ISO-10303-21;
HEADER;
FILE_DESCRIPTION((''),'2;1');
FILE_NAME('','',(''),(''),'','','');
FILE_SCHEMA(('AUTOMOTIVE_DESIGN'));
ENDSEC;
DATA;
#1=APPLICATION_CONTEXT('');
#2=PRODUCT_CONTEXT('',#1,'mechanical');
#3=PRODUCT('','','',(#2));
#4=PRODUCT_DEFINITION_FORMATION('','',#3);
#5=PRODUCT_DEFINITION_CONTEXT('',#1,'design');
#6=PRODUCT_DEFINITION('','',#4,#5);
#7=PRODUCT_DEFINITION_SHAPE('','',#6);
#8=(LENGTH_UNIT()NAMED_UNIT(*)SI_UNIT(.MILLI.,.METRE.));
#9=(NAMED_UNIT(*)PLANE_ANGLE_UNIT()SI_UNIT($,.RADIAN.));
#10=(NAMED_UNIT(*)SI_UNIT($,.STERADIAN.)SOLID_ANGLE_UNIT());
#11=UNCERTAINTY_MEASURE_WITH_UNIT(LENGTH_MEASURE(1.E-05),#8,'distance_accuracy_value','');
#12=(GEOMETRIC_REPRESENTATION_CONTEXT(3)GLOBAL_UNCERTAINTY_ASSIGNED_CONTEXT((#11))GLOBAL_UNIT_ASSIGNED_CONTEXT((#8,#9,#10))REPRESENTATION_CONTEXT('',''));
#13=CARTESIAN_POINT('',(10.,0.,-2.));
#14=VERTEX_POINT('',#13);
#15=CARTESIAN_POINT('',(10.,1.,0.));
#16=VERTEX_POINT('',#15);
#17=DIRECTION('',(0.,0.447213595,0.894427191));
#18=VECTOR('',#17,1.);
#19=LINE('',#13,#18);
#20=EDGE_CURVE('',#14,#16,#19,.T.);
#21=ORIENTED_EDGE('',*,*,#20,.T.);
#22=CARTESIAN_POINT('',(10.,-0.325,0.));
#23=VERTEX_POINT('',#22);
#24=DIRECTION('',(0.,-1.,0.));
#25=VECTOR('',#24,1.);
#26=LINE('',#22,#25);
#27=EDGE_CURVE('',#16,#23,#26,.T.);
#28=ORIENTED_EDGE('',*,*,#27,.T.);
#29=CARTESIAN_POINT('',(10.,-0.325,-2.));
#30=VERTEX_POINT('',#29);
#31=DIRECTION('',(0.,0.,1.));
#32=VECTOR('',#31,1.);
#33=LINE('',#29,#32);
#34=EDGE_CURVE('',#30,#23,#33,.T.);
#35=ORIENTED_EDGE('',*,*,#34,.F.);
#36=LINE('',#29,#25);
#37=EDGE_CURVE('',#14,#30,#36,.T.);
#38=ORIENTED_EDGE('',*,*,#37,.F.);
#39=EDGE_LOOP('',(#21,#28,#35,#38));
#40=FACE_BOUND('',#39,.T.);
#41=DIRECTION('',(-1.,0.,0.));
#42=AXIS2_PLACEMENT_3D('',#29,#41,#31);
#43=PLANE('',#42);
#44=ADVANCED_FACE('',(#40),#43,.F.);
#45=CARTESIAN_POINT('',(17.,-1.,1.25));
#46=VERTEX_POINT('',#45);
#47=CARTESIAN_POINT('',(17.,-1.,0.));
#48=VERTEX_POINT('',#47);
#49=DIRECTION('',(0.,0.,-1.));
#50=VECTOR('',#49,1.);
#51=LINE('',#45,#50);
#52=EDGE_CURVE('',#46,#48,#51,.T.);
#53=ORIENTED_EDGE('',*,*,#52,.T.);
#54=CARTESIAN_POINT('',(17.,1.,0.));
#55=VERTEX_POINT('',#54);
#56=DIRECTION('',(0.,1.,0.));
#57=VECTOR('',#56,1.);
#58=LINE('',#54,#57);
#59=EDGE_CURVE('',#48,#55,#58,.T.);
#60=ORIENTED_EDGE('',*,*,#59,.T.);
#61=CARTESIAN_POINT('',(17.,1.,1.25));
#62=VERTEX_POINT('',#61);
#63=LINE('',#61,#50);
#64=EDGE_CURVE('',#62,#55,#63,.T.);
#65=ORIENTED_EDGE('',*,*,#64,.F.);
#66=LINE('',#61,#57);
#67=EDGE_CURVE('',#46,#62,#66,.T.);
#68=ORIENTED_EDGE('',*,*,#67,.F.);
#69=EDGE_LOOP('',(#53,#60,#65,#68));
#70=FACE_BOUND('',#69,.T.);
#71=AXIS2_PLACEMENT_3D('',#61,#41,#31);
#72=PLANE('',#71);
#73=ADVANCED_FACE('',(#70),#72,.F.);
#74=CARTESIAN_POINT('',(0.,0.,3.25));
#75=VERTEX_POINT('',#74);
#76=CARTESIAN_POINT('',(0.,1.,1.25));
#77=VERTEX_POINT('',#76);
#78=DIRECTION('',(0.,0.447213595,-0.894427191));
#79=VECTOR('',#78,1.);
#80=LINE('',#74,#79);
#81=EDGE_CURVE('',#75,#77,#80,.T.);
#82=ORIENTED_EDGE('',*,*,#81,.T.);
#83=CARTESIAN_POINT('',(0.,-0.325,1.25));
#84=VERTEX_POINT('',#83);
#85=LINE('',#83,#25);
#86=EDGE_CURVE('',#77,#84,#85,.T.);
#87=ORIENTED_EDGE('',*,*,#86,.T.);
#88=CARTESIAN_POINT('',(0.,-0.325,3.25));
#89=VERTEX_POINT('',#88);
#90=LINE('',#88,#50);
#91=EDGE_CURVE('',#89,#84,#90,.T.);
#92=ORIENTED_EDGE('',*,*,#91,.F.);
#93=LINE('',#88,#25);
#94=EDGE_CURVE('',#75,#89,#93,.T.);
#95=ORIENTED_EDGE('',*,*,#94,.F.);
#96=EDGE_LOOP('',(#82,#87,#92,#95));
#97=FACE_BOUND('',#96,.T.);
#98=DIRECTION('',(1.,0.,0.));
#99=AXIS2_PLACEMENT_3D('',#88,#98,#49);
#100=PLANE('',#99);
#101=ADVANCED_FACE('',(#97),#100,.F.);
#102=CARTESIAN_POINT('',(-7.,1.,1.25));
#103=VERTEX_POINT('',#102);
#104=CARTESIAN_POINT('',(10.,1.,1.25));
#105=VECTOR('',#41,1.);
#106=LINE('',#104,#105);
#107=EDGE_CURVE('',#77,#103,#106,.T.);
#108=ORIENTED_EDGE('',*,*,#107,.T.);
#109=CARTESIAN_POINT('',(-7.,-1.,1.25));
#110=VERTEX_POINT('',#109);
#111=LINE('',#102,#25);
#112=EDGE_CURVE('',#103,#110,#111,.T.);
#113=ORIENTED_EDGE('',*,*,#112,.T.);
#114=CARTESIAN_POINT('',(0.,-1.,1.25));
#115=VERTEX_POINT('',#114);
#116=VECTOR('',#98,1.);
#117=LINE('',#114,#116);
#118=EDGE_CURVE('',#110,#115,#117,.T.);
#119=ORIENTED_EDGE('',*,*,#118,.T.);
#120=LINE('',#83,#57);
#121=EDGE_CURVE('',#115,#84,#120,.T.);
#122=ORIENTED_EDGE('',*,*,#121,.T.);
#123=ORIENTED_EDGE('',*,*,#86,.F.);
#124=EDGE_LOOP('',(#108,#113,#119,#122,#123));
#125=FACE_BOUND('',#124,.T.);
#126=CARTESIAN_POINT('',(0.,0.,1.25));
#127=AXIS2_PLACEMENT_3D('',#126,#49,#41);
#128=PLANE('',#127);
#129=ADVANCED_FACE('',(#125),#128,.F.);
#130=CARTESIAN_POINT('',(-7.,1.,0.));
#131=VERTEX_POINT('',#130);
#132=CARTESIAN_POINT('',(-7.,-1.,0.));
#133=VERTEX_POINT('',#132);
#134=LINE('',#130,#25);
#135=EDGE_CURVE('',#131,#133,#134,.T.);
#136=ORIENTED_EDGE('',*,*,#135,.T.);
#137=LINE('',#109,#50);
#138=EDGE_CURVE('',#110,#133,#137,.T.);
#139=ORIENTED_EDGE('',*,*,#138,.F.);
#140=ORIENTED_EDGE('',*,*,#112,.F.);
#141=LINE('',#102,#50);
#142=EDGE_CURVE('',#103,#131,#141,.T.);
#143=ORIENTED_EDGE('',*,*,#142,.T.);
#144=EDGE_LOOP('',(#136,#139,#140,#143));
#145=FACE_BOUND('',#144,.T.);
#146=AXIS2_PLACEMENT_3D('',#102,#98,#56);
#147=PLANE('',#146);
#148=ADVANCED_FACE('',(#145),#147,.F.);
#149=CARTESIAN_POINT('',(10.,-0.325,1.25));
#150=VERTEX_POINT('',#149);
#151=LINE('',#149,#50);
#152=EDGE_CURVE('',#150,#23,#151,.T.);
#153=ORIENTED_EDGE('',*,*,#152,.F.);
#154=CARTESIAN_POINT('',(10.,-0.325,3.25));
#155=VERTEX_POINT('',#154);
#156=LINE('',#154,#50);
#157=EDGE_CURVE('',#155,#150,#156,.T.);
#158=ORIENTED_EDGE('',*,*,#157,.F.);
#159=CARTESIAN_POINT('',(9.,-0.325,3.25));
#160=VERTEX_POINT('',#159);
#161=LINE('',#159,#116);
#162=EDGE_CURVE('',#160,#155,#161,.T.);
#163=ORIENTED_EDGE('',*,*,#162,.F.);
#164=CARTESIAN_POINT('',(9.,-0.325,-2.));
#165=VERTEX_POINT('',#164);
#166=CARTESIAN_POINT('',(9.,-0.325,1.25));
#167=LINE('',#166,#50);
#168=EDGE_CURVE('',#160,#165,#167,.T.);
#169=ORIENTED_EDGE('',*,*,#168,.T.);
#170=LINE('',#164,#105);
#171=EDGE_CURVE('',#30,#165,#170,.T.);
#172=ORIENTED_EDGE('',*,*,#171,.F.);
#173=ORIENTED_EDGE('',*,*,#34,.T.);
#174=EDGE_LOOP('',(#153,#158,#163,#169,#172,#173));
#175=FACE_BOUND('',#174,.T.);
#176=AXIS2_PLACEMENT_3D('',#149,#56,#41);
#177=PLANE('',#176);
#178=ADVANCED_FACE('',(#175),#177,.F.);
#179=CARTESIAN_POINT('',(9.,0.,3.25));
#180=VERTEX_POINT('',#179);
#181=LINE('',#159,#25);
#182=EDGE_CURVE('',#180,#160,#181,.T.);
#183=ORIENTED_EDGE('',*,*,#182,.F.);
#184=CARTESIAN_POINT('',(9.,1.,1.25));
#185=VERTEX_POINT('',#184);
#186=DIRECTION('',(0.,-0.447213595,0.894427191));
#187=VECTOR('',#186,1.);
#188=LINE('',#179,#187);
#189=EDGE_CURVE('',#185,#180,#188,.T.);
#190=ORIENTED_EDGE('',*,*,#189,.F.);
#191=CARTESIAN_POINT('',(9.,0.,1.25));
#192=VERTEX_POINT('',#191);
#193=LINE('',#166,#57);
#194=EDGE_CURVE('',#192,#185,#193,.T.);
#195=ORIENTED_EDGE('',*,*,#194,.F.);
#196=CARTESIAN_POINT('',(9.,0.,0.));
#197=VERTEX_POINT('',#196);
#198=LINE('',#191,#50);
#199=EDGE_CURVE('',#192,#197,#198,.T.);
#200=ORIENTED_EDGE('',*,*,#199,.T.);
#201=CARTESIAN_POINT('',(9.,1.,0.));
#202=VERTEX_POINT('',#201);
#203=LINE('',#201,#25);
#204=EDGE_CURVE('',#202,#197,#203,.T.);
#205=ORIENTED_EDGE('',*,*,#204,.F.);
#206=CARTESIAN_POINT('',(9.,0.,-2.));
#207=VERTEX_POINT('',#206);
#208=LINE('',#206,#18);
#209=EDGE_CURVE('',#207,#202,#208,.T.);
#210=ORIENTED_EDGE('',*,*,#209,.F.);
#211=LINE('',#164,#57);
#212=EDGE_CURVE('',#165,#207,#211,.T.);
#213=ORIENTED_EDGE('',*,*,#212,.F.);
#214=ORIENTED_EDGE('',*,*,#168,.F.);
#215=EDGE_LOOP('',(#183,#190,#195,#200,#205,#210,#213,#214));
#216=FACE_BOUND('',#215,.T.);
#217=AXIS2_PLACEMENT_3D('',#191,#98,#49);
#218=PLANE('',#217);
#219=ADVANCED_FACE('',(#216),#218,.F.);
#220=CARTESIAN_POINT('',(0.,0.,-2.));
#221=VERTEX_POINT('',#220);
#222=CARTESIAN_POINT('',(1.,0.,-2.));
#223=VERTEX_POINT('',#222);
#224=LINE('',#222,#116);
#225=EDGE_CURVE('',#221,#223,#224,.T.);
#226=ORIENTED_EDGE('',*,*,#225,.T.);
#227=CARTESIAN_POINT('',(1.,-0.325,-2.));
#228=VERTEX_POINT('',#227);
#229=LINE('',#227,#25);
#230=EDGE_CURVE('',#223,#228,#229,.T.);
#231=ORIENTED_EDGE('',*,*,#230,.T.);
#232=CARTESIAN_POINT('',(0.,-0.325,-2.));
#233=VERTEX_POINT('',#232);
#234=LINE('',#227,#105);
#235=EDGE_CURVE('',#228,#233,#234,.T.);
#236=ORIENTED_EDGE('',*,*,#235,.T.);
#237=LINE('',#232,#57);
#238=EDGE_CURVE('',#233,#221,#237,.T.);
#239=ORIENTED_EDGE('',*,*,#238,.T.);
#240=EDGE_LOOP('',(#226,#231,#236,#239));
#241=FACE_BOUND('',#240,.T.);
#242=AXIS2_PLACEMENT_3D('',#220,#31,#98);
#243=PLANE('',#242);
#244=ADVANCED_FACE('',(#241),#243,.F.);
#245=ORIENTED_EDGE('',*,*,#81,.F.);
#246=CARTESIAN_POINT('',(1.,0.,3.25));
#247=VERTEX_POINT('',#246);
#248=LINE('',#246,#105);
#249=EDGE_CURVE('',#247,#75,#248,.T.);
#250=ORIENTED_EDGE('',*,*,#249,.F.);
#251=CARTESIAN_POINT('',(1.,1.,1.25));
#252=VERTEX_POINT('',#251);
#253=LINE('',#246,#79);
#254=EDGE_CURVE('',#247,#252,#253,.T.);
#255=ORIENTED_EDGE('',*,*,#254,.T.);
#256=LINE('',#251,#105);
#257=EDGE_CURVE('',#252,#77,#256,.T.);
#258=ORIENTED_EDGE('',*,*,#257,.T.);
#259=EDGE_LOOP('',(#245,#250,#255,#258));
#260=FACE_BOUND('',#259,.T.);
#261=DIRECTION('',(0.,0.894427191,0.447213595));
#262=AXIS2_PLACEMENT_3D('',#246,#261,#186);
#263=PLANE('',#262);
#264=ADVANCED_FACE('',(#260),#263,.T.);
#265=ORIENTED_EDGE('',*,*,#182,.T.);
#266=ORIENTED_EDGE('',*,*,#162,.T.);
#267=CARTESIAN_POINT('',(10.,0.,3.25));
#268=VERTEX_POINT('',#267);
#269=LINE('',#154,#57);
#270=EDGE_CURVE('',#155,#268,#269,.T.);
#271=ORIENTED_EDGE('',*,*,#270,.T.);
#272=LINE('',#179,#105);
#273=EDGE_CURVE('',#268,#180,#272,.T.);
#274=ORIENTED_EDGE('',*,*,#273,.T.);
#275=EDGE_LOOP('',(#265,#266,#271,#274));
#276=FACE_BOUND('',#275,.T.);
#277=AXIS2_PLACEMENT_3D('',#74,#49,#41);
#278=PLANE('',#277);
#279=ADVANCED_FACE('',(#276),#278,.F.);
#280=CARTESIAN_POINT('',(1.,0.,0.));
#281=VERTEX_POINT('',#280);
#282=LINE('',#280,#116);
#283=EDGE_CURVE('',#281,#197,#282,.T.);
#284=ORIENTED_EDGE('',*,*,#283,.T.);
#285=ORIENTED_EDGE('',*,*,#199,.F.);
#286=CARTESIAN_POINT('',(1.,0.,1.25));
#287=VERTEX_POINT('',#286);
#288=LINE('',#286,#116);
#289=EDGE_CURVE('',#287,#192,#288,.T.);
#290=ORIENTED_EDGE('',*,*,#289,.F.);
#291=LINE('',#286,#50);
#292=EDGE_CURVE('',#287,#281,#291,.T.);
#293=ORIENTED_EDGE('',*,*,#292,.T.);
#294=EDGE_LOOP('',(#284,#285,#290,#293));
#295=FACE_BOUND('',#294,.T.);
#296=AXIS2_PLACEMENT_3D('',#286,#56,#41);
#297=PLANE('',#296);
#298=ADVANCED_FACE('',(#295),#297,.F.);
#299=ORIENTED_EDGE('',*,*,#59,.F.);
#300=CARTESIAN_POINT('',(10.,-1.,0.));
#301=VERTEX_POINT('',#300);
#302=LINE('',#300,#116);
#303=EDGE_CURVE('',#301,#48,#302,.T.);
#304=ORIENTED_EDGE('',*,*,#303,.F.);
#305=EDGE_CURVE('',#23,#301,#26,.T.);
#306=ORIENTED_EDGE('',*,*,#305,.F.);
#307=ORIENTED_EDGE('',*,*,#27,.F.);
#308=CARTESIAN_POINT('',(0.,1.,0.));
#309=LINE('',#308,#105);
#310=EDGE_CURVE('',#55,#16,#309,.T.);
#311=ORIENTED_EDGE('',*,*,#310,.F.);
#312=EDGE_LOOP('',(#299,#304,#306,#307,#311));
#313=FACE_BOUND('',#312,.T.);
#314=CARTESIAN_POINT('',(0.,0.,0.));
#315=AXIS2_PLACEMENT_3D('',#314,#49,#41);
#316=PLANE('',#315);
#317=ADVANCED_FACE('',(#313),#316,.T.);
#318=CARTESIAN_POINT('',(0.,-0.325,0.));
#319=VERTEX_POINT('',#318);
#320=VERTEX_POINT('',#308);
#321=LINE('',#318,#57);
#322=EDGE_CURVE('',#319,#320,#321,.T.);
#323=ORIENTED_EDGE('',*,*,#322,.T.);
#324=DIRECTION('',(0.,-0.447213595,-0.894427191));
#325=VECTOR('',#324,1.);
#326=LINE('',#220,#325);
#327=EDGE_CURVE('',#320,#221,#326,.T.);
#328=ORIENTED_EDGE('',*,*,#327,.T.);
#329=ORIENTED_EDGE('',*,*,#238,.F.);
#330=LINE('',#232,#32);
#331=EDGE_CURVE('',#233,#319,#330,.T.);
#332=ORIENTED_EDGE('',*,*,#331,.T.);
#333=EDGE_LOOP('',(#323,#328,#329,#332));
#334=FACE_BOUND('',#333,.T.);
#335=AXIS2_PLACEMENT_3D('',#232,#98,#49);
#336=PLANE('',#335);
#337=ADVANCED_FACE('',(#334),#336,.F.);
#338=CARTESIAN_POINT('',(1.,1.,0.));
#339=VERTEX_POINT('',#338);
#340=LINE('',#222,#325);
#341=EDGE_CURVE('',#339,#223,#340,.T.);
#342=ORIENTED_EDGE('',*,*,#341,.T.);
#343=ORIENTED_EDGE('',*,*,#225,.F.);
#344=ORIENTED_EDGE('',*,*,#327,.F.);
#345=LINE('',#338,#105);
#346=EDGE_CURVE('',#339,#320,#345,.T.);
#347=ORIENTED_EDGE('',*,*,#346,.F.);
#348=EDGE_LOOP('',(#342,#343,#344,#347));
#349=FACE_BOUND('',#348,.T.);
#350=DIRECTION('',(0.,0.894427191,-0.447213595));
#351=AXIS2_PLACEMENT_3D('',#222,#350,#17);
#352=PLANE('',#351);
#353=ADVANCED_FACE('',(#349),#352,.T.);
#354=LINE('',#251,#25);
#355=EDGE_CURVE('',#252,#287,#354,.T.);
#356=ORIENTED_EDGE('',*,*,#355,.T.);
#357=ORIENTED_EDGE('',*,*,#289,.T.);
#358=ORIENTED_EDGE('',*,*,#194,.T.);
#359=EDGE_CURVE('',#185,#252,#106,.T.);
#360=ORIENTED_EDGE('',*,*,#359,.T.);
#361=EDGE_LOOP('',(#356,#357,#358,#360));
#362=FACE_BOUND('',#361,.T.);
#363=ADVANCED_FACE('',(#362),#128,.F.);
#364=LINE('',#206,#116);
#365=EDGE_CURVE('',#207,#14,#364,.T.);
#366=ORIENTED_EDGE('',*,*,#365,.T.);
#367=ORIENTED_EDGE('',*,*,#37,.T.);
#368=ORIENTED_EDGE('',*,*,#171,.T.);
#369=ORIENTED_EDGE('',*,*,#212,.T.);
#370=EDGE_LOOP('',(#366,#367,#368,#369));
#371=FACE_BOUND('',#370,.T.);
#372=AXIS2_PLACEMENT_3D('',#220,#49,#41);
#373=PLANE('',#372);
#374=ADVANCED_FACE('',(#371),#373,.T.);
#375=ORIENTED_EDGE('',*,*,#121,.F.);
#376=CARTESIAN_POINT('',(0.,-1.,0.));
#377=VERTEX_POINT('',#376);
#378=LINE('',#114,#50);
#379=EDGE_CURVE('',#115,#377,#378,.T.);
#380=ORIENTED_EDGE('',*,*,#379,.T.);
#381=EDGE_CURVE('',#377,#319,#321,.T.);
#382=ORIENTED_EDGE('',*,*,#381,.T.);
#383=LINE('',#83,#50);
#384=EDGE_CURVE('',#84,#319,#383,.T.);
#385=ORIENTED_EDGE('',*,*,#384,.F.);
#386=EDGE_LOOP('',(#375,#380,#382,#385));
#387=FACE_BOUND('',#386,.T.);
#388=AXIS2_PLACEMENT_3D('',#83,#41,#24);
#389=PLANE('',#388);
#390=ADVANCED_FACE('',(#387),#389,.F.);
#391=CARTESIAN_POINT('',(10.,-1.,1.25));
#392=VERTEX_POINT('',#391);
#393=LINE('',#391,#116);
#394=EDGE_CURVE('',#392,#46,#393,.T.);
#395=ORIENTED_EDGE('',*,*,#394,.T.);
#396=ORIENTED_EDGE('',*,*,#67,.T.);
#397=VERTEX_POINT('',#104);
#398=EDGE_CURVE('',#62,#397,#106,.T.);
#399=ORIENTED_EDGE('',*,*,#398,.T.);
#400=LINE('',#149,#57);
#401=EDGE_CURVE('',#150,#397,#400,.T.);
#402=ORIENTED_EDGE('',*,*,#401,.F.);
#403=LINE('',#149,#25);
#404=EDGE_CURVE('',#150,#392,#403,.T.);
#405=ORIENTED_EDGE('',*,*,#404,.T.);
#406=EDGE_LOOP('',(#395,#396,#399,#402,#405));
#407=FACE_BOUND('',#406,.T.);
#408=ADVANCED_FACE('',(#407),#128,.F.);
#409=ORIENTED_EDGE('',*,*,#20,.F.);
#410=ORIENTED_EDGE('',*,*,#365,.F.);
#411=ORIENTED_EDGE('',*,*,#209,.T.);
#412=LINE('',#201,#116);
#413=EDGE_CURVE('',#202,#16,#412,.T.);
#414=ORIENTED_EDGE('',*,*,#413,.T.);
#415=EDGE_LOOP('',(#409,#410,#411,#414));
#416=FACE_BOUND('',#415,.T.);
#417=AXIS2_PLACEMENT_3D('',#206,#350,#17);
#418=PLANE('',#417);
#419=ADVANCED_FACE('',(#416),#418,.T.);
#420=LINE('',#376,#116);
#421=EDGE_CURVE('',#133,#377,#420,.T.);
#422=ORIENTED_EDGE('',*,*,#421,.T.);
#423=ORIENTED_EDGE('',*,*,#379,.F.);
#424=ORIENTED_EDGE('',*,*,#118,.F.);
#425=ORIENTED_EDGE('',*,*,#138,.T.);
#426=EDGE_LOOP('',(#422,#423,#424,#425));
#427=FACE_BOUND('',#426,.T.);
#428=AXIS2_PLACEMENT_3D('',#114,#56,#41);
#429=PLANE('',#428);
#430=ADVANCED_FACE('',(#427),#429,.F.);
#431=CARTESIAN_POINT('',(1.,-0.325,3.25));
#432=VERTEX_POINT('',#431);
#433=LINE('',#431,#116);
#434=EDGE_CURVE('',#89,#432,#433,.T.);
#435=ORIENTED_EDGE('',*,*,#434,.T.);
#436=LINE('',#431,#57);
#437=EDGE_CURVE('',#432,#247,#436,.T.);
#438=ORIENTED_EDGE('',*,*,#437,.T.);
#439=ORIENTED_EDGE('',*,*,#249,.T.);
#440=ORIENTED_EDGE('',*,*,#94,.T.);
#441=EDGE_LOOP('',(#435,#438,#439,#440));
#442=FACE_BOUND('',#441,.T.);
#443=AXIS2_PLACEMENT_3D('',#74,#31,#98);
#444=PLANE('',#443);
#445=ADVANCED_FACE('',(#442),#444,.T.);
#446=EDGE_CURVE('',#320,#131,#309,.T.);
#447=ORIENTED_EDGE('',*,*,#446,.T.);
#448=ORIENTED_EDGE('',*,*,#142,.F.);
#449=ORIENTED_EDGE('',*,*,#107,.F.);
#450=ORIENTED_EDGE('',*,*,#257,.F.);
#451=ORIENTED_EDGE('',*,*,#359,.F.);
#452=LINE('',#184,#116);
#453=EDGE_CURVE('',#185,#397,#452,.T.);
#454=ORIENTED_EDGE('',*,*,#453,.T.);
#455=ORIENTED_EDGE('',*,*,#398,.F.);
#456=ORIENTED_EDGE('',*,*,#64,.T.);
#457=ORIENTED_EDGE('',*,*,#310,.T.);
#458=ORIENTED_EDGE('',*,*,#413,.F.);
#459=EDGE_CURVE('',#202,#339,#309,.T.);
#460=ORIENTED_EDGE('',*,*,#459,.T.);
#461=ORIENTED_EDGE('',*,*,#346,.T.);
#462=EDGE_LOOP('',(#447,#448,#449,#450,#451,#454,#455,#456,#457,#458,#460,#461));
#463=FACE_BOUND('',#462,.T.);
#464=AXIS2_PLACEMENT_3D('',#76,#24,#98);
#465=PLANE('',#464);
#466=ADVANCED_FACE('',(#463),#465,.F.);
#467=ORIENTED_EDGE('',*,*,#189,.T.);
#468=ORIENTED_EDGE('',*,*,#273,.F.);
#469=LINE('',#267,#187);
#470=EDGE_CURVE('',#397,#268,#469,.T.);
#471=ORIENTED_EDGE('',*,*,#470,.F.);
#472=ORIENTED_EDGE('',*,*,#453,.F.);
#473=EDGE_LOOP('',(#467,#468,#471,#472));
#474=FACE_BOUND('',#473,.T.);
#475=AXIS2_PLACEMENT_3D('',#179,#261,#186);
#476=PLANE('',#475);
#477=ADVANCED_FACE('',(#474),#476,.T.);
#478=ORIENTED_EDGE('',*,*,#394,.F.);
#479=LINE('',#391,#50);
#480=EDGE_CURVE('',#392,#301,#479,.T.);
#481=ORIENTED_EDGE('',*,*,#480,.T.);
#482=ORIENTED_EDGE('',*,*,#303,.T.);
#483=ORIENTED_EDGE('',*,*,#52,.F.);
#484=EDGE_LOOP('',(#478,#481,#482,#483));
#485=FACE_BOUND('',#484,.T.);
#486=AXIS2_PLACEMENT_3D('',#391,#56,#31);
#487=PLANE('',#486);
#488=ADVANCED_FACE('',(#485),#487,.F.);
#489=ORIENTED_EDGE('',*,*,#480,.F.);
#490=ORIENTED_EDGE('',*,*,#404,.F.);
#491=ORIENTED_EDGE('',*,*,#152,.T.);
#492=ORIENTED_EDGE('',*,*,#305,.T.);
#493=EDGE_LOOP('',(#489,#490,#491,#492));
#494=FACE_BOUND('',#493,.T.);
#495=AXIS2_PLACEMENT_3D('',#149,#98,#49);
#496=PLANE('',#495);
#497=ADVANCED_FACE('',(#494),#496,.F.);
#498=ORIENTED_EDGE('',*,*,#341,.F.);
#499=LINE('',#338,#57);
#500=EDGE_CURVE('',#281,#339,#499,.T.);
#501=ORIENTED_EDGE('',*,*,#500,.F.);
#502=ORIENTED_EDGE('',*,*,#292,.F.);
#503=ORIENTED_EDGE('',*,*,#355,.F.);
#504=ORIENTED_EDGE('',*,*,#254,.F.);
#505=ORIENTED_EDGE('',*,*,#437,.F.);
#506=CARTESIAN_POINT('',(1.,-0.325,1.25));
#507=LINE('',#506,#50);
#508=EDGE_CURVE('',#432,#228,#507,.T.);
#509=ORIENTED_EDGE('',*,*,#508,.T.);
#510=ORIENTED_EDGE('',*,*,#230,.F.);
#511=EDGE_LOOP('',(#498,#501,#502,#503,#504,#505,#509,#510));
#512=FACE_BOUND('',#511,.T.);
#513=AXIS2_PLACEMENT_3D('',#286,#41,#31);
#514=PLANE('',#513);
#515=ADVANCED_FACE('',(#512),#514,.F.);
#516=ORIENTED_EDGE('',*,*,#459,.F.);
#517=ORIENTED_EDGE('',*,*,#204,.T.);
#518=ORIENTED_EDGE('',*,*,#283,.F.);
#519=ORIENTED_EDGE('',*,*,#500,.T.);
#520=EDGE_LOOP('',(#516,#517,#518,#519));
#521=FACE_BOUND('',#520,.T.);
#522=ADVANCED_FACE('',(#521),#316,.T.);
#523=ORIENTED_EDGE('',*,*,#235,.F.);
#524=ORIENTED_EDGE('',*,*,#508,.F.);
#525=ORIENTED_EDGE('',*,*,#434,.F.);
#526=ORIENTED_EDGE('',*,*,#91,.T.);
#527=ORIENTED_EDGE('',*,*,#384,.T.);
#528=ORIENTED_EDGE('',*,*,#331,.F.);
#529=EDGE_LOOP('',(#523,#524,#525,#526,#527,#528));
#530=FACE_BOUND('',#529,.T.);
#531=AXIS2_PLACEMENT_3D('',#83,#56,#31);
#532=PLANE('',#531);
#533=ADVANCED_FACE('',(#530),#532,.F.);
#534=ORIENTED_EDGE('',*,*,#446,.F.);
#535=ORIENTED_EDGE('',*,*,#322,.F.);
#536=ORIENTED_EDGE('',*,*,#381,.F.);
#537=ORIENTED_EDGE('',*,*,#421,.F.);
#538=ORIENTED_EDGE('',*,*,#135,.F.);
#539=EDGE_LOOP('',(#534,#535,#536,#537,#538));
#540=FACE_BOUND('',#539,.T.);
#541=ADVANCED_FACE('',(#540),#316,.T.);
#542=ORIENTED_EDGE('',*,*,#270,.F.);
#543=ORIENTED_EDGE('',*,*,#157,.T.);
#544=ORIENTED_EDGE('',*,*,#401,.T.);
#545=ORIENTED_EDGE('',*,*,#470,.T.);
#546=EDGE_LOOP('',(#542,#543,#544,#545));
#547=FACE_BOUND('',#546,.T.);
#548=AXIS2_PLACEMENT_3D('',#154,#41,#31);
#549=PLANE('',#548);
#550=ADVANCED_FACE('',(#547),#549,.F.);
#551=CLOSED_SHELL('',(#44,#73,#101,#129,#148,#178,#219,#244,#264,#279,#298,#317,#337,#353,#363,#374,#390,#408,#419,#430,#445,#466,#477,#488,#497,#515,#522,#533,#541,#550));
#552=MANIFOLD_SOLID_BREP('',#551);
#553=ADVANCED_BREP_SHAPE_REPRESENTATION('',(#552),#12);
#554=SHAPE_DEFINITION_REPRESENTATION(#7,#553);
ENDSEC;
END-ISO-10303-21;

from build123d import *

# Parameters (mm, degrees)
BOSS_EXTRUDE1_DEPTH = 1.25
SKETCH2_W           = 1
SKETCH2_H           = 0.325
BOSS_EXTRUDE2_DEPTH = 2
SKETCH3_W           = 1
SKETCH3_H           = 0.325
BOSS_EXTRUDE3_DEPTH = 2
BOSS_EXTRUDE7_DEPTH = 1
BOSS_EXTRUDE8_DEPTH = 1


with BuildPart() as part:
    # Sketch1 → Boss-Extrude1 (new body)
    with BuildSketch(Plane.XY):
        Polygon((1, 0), (9, 0), (9, -0.325), (10, -0.325), (10, -1), (17, -1), (17, 1), (10, 1), (0, 1), (-7, 1), (-7, -1), (0, -1), (0, -0.325), (1, -0.325), align=None)
    extrude(amount=BOSS_EXTRUDE1_DEPTH)

    # Sketch2 → Boss-Extrude2 (add)
    with BuildSketch(Plane.XY.offset(1.25)):
        with Locations((0.5, -0.1625)):
            Rectangle(SKETCH2_W, SKETCH2_H)
        with Locations((9.5, -0.1625)):
            Rectangle(SKETCH2_W, SKETCH2_H)
    extrude(amount=BOSS_EXTRUDE2_DEPTH)

    # Sketch3 → Boss-Extrude3 (add)
    with BuildSketch(Plane(origin=(0, 0, 0), x_dir=(-1, 0, 0), z_dir=(0, 0, -1))):
        with Locations((-9.5, -0.1625)):
            Rectangle(SKETCH3_W, SKETCH3_H)
        with Locations((-0.5, -0.1625)):
            Rectangle(SKETCH3_W, SKETCH3_H)
    extrude(amount=BOSS_EXTRUDE3_DEPTH)

    # Sketch7 → Boss-Extrude7 (add)
    with BuildSketch(Plane(origin=(10, 0, 0), x_dir=(0, 0, -1), z_dir=(1, 0, 0))):
        Polygon((-3.25, 0), (-1.25, 1), (-1.25, 0), (-1.25, -0.325), (-3.25, -0.325), align=None)
        Polygon((2, 0), (0, 1), (0, 0), align=None)
    extrude(amount=-BOSS_EXTRUDE7_DEPTH)

    # Sketch8 → Boss-Extrude8 (add)
    with BuildSketch(Plane.ZY):
        Polygon((-2, 0), (0, 1), (0, 0), align=None)
        Polygon((1.25, 1), (1.25, 0), (3.25, 0), align=None)
    extrude(amount=-BOSS_EXTRUDE8_DEPTH)


solid = part.part
